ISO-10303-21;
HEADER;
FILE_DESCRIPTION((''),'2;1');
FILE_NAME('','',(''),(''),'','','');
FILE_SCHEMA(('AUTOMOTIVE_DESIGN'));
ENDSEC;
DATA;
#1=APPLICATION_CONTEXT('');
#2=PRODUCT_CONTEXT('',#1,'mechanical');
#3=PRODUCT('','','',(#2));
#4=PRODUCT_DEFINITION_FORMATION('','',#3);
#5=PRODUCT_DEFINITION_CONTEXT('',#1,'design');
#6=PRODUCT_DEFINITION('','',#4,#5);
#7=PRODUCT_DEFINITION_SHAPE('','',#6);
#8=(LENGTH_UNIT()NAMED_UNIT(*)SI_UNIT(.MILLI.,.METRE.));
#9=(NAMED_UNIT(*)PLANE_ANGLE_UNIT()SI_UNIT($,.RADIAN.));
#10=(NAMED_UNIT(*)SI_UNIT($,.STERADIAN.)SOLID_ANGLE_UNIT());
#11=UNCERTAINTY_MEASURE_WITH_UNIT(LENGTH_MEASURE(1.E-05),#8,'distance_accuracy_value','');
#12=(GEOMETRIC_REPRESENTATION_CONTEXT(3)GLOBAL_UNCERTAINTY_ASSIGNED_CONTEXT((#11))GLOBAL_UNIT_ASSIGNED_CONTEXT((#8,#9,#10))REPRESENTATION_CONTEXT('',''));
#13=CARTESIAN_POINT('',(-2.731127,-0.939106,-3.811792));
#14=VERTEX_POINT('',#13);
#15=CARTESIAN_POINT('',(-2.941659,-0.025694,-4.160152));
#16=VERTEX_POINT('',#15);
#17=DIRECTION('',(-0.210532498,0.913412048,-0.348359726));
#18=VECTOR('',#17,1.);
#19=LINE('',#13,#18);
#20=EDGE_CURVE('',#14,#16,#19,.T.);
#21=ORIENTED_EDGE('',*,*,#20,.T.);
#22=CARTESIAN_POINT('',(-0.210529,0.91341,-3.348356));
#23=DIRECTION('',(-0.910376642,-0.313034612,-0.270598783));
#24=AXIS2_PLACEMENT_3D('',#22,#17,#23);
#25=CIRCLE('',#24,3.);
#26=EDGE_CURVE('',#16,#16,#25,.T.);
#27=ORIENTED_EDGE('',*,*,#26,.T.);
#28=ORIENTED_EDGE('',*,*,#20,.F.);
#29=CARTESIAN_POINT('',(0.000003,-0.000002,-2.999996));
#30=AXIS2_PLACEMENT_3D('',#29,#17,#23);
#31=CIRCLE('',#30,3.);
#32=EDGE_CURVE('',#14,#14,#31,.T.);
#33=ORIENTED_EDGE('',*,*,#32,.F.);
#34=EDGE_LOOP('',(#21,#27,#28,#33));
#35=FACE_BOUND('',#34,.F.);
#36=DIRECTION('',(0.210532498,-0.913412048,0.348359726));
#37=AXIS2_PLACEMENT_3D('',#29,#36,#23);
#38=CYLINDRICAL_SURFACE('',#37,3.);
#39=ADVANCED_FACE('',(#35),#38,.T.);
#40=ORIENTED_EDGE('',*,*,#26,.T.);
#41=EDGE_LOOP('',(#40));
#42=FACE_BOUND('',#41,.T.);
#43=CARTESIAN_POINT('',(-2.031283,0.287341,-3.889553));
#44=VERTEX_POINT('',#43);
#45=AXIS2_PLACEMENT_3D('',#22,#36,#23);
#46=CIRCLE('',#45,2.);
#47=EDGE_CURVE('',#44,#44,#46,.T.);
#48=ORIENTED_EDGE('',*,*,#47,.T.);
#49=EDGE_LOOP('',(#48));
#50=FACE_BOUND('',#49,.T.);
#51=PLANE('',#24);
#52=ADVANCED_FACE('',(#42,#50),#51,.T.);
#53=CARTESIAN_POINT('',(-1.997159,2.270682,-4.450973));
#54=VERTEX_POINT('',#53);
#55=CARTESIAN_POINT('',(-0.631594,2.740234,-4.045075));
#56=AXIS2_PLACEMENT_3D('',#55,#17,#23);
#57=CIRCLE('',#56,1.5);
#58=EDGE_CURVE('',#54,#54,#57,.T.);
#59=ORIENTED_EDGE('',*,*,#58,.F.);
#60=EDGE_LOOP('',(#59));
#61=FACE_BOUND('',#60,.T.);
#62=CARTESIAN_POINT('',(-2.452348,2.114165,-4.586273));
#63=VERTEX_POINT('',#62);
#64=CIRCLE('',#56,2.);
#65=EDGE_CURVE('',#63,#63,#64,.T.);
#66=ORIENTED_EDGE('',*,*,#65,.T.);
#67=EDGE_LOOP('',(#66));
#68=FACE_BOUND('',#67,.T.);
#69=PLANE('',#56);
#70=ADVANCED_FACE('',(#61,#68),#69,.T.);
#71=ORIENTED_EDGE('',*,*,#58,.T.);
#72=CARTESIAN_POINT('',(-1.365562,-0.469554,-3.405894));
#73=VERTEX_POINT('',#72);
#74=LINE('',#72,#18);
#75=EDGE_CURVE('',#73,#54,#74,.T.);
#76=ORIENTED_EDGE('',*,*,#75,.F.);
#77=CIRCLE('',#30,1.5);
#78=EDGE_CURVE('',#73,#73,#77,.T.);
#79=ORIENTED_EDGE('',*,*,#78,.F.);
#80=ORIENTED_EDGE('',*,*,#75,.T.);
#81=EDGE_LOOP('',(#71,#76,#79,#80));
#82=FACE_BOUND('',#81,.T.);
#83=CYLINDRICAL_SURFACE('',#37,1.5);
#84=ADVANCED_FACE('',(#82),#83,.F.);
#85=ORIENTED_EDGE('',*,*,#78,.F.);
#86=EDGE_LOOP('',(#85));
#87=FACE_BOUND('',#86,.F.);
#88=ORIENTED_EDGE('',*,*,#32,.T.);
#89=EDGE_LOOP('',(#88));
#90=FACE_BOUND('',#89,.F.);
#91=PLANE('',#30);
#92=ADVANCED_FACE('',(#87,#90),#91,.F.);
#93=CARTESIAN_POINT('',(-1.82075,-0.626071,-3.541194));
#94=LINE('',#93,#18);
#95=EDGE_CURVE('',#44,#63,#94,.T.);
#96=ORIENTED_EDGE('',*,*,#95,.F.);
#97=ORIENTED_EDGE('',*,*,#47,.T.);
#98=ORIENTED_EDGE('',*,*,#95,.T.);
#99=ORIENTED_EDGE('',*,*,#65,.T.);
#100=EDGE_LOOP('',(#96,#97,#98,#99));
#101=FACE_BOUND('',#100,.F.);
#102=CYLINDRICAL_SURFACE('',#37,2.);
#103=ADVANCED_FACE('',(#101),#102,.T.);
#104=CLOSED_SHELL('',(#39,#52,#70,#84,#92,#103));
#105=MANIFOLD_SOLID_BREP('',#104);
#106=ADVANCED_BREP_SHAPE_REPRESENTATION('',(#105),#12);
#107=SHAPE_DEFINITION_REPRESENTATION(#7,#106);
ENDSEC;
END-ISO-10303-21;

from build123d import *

# Parameters (mm, degrees)
CYLINDER026_R          = 1.5
CYLINDER026_DEPTH      = 3
CYLINDER025_R          = 2
CYLINDER025_DEPTH      = 3
CYLINDER024_R          = 3
CYLINDER024_DEPTH      = 1
CUT033_ROLL_ANGLE      = 111.214464
CUT033_PITCH_ANGLE     = 15.699901
CUT033_PLACEMENT_ANGLE = -161.024378


with BuildPart() as cylinder030:
    # Cylinder026 → Cylinder026 (new body)
    with BuildSketch(Plane.XY):
        Circle(CYLINDER026_R)
    extrude(amount=CYLINDER026_DEPTH)


with BuildPart() as cylinder029:
    # Cylinder025 → Cylinder025 (new body)
    with BuildSketch(Plane.XY):
        Circle(CYLINDER025_R)
    extrude(amount=CYLINDER025_DEPTH)


with BuildPart() as f_3mmlager:
    # Cylinder024 → Cylinder024 (new body)
    with BuildSketch(Plane.XY):
        Circle(CYLINDER024_R)
    extrude(amount=CYLINDER024_DEPTH)

    # Fusion026: union Cylinder029
    add(cylinder029.part)

    # Cut033: cut Cylinder030
    add(cylinder030.part, mode=Mode.SUBTRACT)


with BuildPart() as f_3mmlager_1:
    # Cut033 roll: moved
    add(f_3mmlager.part.rotate(Axis((0, 0, 0), (1, 0, 0)), CUT033_ROLL_ANGLE))


with BuildPart() as f_3mmlager_2:
    # Cut033 pitch: moved
    add(f_3mmlager_1.part.rotate(Axis((0, 0, 0), (0, 1, 0)), CUT033_PITCH_ANGLE))


with BuildPart() as f_3mmlager_3:
    # Cut033 placement: moved
    add(f_3mmlager_2.part.moved(Location((3e-06, -2e-06, -2.999996))).rotate(Axis((3e-06, -2e-06, -2.999996), (0, 0, 1)), CUT033_PLACEMENT_ANGLE))


solid = f_3mmlager_3.part
